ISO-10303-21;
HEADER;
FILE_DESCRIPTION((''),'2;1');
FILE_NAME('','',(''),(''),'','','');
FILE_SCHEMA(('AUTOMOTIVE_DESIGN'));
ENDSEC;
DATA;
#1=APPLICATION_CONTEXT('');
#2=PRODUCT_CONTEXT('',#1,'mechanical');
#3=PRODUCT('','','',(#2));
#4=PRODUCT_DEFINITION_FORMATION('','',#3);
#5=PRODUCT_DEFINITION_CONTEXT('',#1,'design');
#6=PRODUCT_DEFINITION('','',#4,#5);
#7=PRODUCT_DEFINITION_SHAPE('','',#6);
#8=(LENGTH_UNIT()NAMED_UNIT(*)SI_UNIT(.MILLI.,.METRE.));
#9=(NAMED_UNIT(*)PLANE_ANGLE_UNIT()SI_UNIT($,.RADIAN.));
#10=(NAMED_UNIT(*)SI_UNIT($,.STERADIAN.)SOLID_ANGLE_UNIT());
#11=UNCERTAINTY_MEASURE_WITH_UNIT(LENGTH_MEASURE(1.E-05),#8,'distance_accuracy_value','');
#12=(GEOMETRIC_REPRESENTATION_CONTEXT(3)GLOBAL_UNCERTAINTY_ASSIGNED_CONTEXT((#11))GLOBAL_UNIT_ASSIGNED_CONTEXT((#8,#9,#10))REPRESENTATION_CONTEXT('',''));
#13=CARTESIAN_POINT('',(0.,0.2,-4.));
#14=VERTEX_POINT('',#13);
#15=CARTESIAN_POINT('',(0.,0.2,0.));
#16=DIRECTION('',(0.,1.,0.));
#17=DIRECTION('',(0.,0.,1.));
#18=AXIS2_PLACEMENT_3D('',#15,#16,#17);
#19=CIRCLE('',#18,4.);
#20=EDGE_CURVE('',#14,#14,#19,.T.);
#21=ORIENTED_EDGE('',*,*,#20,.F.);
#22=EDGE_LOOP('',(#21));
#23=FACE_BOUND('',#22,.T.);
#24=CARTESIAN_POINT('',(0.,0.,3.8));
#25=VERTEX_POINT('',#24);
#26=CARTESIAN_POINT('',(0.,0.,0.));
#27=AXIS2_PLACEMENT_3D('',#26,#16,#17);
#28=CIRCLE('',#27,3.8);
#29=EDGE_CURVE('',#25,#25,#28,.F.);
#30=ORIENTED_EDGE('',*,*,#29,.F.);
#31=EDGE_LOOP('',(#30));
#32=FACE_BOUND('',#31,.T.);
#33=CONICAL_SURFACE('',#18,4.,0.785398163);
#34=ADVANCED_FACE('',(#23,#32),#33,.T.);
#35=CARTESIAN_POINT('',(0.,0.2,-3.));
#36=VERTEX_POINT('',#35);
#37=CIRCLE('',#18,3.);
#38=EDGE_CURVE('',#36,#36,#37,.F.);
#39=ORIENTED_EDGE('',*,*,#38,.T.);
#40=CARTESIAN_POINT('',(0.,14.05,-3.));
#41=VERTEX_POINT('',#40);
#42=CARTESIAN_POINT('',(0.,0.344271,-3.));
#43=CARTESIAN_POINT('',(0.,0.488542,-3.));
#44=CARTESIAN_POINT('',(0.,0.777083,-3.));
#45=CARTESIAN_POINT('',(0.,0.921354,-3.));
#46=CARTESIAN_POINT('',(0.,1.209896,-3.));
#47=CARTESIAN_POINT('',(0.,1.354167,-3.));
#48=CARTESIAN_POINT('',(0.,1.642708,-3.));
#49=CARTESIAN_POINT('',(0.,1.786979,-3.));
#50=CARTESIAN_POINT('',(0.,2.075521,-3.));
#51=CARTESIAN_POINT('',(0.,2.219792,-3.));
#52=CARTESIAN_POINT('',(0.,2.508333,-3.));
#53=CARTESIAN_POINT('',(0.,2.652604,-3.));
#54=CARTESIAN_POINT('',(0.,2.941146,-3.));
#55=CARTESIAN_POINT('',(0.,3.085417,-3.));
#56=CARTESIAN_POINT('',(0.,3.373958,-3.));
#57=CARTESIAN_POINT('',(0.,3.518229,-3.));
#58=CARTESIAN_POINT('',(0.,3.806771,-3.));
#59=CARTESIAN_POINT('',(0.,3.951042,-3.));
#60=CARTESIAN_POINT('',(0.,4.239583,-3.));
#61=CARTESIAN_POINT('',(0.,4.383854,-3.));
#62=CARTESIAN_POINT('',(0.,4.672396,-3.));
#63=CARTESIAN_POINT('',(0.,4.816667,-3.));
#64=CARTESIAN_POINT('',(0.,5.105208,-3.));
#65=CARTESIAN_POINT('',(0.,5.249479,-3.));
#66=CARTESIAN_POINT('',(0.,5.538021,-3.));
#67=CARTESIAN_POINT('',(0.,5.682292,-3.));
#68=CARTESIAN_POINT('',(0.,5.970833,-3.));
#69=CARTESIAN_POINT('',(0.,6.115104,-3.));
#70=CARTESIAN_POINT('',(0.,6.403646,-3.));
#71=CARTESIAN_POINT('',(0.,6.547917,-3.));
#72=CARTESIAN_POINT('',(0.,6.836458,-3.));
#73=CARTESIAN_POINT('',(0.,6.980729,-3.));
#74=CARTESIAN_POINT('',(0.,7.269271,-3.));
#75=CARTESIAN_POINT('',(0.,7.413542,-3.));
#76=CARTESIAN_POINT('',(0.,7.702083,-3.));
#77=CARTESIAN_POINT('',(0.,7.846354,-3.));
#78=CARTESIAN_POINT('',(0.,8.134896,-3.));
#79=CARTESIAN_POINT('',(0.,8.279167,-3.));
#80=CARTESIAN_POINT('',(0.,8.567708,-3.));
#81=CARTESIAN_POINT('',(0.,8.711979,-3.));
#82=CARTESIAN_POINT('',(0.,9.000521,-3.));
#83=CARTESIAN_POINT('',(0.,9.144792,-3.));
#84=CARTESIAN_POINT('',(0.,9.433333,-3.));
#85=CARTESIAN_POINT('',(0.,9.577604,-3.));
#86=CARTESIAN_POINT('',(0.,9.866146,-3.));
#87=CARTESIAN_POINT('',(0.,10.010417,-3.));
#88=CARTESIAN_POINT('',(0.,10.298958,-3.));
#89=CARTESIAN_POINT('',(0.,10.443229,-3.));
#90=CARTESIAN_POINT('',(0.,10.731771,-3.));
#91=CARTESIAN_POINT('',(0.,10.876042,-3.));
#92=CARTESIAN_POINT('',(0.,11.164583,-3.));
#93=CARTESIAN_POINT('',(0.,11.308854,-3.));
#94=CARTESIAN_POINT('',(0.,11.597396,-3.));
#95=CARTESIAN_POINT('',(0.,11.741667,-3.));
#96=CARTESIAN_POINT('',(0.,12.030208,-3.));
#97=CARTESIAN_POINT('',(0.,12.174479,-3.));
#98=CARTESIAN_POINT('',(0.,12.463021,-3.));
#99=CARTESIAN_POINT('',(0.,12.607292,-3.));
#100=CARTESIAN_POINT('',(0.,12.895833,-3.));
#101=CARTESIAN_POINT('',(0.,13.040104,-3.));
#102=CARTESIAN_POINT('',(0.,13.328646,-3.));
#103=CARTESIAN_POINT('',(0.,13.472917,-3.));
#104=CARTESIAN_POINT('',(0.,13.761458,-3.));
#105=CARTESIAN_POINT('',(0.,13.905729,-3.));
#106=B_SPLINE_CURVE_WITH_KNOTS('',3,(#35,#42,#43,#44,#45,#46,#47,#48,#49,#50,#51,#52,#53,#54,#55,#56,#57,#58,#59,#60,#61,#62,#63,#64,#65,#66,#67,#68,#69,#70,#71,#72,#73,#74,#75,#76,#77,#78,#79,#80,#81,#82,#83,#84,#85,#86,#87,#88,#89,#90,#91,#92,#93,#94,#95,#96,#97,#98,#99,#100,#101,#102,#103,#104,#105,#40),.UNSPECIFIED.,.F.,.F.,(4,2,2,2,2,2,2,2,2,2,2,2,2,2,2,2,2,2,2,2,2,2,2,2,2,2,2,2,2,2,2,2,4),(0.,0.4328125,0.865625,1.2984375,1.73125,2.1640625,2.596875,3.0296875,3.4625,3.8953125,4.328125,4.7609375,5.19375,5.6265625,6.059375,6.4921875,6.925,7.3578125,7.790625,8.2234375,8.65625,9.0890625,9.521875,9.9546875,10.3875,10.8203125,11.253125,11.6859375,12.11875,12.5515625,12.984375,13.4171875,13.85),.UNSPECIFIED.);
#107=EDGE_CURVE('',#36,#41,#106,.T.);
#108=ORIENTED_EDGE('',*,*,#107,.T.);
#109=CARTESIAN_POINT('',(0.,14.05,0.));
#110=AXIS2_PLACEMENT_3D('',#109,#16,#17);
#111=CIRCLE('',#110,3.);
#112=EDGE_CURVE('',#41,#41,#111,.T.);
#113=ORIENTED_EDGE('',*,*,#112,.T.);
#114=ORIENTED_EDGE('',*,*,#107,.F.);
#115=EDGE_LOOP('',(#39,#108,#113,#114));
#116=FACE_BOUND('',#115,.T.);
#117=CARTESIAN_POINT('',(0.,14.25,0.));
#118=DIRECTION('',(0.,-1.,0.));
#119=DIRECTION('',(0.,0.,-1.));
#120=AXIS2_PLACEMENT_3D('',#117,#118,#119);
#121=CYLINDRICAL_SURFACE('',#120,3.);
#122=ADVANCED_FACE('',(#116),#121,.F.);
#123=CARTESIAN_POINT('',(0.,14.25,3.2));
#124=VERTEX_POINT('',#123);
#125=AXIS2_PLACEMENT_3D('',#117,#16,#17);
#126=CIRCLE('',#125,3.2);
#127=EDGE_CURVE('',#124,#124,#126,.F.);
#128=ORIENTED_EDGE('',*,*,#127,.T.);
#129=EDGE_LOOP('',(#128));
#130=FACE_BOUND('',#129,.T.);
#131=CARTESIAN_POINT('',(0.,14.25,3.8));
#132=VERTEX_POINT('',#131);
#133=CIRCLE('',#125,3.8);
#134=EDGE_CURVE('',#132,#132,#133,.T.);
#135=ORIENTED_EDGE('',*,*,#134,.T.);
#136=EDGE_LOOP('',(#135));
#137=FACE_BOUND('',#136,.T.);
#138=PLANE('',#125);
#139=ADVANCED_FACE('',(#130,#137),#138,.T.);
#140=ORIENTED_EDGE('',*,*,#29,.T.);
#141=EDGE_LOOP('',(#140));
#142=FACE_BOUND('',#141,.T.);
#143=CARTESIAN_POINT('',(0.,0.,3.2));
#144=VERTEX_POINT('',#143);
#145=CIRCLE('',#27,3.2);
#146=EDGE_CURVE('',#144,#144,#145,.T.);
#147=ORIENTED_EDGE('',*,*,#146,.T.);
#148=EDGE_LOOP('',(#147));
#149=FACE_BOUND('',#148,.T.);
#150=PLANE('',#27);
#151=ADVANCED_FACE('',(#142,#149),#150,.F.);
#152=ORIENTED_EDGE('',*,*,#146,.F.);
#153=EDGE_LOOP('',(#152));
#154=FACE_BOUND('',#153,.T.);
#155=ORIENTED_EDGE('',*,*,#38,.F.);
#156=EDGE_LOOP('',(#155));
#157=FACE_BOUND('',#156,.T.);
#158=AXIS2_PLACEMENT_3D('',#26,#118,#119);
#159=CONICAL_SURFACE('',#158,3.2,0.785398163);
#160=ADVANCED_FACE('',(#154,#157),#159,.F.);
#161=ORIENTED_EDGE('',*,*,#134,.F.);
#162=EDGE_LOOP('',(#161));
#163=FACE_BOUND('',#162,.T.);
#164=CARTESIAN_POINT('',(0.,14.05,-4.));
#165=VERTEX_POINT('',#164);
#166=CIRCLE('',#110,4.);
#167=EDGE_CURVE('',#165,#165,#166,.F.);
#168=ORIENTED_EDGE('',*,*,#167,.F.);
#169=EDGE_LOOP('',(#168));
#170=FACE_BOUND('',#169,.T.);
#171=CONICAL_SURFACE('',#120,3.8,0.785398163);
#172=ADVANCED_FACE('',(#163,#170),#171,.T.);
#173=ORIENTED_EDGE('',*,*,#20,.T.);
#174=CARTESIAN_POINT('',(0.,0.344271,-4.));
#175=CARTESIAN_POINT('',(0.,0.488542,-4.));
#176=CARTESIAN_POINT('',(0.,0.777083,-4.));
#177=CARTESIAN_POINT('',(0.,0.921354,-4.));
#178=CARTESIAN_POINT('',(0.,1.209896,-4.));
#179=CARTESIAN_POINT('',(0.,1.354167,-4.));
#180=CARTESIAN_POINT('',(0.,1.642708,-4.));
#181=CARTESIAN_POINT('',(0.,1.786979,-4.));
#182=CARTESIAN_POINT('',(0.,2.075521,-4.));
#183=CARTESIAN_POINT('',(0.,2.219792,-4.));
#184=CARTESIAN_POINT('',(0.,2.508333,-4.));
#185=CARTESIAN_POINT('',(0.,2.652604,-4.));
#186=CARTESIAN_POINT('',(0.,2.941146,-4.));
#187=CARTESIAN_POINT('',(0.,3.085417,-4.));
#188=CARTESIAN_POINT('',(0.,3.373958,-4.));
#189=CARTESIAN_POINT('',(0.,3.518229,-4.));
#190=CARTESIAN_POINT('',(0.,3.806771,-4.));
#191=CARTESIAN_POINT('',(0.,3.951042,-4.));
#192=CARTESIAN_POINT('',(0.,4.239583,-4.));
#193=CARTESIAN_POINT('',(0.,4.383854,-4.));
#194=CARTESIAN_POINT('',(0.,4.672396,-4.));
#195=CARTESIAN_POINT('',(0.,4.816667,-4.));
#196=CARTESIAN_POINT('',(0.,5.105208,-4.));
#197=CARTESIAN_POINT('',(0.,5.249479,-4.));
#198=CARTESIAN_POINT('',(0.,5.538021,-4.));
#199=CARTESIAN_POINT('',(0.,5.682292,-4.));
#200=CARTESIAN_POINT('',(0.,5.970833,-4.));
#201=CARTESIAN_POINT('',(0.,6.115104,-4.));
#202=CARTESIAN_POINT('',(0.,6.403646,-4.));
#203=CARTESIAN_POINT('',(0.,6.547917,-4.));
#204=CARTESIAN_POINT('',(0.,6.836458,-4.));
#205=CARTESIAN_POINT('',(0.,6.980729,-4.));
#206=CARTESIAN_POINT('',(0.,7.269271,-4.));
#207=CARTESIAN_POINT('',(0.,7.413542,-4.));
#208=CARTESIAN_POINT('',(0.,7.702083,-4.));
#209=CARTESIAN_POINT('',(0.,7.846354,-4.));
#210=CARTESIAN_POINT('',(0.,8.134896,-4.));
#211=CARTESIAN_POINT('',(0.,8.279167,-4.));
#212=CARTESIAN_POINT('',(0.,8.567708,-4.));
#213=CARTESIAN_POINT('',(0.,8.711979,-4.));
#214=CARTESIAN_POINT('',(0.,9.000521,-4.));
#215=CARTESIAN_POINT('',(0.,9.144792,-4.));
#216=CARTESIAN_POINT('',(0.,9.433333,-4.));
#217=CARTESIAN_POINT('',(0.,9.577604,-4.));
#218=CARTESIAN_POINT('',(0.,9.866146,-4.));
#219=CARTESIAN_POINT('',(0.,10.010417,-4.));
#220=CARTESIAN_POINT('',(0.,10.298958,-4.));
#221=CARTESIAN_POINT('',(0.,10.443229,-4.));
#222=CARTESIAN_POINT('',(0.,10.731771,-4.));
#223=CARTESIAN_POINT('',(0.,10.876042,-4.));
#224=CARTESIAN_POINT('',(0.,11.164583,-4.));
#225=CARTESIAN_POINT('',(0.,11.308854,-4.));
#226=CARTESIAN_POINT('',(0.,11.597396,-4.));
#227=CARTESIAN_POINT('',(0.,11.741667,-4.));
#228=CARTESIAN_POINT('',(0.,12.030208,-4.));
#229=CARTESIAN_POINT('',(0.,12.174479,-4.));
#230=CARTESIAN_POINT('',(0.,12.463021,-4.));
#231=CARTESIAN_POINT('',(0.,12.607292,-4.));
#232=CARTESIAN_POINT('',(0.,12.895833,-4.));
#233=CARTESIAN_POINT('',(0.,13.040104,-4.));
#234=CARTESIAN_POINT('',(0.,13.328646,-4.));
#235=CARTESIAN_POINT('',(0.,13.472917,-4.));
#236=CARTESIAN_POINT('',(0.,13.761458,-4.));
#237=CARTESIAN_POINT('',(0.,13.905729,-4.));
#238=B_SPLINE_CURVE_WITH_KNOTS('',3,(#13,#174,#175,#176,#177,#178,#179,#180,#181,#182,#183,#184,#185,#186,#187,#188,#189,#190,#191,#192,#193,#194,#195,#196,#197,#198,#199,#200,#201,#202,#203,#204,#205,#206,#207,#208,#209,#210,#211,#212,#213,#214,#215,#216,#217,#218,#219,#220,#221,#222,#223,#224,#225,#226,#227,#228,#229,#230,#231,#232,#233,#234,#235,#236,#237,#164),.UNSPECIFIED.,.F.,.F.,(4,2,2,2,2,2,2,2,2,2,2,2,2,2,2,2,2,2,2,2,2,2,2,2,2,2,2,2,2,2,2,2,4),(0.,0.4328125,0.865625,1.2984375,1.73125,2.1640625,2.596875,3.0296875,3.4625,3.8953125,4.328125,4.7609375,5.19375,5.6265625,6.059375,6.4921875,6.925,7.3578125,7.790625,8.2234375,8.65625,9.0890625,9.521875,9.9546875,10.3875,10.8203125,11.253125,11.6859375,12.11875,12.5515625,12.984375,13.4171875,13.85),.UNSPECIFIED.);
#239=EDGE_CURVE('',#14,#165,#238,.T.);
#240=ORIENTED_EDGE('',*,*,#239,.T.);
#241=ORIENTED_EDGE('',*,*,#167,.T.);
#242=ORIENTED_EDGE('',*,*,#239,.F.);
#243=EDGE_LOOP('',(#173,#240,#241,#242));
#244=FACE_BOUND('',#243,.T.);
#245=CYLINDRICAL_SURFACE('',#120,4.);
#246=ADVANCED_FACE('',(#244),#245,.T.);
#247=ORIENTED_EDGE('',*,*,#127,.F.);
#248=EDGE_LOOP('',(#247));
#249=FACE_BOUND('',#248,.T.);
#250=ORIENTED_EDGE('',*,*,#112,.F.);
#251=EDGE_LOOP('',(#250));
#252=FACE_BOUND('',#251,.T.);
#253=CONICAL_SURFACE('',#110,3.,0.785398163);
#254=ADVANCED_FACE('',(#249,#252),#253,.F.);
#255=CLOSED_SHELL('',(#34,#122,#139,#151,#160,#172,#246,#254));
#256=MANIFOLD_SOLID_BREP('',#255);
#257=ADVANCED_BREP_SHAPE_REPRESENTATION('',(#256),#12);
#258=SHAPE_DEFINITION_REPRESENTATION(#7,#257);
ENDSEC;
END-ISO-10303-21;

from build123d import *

# Parameters (mm, degrees)
SKIZZE1_R                       = 4
SKIZZE1_R_2                     = 3
AUFSATZ_LINEAR_AUSTRAGEN1_DEPTH = 14.25
FASE1_SIZE                      = 0.2


with BuildPart() as part:
    # Skizze1 → Aufsatz-Linear austragen1 (new body)
    with BuildSketch(Plane(origin=(0, 0, 0), x_dir=(1, 0, 0), z_dir=(0, 1, 0))):
        with Locations(Location((0, 0, 0), (0, 0, 90))):
            Circle(SKIZZE1_R)
        with Locations(Location((0, 0, 0), (0, 0, 90))):
            Circle(SKIZZE1_R_2, mode=Mode.SUBTRACT)
    extrude(amount=AUFSATZ_LINEAR_AUSTRAGEN1_DEPTH)

    # Fase1
    fase1_edges = [part.edges().sort_by_distance(p)[0] for p in [
        (0, 0, 4),
        (0, 14.25, 4),
        (0, 0, 3),
        (0, 14.25, 3),
    ]]
    chamfer(fase1_edges, length=FASE1_SIZE)


solid = part.part
